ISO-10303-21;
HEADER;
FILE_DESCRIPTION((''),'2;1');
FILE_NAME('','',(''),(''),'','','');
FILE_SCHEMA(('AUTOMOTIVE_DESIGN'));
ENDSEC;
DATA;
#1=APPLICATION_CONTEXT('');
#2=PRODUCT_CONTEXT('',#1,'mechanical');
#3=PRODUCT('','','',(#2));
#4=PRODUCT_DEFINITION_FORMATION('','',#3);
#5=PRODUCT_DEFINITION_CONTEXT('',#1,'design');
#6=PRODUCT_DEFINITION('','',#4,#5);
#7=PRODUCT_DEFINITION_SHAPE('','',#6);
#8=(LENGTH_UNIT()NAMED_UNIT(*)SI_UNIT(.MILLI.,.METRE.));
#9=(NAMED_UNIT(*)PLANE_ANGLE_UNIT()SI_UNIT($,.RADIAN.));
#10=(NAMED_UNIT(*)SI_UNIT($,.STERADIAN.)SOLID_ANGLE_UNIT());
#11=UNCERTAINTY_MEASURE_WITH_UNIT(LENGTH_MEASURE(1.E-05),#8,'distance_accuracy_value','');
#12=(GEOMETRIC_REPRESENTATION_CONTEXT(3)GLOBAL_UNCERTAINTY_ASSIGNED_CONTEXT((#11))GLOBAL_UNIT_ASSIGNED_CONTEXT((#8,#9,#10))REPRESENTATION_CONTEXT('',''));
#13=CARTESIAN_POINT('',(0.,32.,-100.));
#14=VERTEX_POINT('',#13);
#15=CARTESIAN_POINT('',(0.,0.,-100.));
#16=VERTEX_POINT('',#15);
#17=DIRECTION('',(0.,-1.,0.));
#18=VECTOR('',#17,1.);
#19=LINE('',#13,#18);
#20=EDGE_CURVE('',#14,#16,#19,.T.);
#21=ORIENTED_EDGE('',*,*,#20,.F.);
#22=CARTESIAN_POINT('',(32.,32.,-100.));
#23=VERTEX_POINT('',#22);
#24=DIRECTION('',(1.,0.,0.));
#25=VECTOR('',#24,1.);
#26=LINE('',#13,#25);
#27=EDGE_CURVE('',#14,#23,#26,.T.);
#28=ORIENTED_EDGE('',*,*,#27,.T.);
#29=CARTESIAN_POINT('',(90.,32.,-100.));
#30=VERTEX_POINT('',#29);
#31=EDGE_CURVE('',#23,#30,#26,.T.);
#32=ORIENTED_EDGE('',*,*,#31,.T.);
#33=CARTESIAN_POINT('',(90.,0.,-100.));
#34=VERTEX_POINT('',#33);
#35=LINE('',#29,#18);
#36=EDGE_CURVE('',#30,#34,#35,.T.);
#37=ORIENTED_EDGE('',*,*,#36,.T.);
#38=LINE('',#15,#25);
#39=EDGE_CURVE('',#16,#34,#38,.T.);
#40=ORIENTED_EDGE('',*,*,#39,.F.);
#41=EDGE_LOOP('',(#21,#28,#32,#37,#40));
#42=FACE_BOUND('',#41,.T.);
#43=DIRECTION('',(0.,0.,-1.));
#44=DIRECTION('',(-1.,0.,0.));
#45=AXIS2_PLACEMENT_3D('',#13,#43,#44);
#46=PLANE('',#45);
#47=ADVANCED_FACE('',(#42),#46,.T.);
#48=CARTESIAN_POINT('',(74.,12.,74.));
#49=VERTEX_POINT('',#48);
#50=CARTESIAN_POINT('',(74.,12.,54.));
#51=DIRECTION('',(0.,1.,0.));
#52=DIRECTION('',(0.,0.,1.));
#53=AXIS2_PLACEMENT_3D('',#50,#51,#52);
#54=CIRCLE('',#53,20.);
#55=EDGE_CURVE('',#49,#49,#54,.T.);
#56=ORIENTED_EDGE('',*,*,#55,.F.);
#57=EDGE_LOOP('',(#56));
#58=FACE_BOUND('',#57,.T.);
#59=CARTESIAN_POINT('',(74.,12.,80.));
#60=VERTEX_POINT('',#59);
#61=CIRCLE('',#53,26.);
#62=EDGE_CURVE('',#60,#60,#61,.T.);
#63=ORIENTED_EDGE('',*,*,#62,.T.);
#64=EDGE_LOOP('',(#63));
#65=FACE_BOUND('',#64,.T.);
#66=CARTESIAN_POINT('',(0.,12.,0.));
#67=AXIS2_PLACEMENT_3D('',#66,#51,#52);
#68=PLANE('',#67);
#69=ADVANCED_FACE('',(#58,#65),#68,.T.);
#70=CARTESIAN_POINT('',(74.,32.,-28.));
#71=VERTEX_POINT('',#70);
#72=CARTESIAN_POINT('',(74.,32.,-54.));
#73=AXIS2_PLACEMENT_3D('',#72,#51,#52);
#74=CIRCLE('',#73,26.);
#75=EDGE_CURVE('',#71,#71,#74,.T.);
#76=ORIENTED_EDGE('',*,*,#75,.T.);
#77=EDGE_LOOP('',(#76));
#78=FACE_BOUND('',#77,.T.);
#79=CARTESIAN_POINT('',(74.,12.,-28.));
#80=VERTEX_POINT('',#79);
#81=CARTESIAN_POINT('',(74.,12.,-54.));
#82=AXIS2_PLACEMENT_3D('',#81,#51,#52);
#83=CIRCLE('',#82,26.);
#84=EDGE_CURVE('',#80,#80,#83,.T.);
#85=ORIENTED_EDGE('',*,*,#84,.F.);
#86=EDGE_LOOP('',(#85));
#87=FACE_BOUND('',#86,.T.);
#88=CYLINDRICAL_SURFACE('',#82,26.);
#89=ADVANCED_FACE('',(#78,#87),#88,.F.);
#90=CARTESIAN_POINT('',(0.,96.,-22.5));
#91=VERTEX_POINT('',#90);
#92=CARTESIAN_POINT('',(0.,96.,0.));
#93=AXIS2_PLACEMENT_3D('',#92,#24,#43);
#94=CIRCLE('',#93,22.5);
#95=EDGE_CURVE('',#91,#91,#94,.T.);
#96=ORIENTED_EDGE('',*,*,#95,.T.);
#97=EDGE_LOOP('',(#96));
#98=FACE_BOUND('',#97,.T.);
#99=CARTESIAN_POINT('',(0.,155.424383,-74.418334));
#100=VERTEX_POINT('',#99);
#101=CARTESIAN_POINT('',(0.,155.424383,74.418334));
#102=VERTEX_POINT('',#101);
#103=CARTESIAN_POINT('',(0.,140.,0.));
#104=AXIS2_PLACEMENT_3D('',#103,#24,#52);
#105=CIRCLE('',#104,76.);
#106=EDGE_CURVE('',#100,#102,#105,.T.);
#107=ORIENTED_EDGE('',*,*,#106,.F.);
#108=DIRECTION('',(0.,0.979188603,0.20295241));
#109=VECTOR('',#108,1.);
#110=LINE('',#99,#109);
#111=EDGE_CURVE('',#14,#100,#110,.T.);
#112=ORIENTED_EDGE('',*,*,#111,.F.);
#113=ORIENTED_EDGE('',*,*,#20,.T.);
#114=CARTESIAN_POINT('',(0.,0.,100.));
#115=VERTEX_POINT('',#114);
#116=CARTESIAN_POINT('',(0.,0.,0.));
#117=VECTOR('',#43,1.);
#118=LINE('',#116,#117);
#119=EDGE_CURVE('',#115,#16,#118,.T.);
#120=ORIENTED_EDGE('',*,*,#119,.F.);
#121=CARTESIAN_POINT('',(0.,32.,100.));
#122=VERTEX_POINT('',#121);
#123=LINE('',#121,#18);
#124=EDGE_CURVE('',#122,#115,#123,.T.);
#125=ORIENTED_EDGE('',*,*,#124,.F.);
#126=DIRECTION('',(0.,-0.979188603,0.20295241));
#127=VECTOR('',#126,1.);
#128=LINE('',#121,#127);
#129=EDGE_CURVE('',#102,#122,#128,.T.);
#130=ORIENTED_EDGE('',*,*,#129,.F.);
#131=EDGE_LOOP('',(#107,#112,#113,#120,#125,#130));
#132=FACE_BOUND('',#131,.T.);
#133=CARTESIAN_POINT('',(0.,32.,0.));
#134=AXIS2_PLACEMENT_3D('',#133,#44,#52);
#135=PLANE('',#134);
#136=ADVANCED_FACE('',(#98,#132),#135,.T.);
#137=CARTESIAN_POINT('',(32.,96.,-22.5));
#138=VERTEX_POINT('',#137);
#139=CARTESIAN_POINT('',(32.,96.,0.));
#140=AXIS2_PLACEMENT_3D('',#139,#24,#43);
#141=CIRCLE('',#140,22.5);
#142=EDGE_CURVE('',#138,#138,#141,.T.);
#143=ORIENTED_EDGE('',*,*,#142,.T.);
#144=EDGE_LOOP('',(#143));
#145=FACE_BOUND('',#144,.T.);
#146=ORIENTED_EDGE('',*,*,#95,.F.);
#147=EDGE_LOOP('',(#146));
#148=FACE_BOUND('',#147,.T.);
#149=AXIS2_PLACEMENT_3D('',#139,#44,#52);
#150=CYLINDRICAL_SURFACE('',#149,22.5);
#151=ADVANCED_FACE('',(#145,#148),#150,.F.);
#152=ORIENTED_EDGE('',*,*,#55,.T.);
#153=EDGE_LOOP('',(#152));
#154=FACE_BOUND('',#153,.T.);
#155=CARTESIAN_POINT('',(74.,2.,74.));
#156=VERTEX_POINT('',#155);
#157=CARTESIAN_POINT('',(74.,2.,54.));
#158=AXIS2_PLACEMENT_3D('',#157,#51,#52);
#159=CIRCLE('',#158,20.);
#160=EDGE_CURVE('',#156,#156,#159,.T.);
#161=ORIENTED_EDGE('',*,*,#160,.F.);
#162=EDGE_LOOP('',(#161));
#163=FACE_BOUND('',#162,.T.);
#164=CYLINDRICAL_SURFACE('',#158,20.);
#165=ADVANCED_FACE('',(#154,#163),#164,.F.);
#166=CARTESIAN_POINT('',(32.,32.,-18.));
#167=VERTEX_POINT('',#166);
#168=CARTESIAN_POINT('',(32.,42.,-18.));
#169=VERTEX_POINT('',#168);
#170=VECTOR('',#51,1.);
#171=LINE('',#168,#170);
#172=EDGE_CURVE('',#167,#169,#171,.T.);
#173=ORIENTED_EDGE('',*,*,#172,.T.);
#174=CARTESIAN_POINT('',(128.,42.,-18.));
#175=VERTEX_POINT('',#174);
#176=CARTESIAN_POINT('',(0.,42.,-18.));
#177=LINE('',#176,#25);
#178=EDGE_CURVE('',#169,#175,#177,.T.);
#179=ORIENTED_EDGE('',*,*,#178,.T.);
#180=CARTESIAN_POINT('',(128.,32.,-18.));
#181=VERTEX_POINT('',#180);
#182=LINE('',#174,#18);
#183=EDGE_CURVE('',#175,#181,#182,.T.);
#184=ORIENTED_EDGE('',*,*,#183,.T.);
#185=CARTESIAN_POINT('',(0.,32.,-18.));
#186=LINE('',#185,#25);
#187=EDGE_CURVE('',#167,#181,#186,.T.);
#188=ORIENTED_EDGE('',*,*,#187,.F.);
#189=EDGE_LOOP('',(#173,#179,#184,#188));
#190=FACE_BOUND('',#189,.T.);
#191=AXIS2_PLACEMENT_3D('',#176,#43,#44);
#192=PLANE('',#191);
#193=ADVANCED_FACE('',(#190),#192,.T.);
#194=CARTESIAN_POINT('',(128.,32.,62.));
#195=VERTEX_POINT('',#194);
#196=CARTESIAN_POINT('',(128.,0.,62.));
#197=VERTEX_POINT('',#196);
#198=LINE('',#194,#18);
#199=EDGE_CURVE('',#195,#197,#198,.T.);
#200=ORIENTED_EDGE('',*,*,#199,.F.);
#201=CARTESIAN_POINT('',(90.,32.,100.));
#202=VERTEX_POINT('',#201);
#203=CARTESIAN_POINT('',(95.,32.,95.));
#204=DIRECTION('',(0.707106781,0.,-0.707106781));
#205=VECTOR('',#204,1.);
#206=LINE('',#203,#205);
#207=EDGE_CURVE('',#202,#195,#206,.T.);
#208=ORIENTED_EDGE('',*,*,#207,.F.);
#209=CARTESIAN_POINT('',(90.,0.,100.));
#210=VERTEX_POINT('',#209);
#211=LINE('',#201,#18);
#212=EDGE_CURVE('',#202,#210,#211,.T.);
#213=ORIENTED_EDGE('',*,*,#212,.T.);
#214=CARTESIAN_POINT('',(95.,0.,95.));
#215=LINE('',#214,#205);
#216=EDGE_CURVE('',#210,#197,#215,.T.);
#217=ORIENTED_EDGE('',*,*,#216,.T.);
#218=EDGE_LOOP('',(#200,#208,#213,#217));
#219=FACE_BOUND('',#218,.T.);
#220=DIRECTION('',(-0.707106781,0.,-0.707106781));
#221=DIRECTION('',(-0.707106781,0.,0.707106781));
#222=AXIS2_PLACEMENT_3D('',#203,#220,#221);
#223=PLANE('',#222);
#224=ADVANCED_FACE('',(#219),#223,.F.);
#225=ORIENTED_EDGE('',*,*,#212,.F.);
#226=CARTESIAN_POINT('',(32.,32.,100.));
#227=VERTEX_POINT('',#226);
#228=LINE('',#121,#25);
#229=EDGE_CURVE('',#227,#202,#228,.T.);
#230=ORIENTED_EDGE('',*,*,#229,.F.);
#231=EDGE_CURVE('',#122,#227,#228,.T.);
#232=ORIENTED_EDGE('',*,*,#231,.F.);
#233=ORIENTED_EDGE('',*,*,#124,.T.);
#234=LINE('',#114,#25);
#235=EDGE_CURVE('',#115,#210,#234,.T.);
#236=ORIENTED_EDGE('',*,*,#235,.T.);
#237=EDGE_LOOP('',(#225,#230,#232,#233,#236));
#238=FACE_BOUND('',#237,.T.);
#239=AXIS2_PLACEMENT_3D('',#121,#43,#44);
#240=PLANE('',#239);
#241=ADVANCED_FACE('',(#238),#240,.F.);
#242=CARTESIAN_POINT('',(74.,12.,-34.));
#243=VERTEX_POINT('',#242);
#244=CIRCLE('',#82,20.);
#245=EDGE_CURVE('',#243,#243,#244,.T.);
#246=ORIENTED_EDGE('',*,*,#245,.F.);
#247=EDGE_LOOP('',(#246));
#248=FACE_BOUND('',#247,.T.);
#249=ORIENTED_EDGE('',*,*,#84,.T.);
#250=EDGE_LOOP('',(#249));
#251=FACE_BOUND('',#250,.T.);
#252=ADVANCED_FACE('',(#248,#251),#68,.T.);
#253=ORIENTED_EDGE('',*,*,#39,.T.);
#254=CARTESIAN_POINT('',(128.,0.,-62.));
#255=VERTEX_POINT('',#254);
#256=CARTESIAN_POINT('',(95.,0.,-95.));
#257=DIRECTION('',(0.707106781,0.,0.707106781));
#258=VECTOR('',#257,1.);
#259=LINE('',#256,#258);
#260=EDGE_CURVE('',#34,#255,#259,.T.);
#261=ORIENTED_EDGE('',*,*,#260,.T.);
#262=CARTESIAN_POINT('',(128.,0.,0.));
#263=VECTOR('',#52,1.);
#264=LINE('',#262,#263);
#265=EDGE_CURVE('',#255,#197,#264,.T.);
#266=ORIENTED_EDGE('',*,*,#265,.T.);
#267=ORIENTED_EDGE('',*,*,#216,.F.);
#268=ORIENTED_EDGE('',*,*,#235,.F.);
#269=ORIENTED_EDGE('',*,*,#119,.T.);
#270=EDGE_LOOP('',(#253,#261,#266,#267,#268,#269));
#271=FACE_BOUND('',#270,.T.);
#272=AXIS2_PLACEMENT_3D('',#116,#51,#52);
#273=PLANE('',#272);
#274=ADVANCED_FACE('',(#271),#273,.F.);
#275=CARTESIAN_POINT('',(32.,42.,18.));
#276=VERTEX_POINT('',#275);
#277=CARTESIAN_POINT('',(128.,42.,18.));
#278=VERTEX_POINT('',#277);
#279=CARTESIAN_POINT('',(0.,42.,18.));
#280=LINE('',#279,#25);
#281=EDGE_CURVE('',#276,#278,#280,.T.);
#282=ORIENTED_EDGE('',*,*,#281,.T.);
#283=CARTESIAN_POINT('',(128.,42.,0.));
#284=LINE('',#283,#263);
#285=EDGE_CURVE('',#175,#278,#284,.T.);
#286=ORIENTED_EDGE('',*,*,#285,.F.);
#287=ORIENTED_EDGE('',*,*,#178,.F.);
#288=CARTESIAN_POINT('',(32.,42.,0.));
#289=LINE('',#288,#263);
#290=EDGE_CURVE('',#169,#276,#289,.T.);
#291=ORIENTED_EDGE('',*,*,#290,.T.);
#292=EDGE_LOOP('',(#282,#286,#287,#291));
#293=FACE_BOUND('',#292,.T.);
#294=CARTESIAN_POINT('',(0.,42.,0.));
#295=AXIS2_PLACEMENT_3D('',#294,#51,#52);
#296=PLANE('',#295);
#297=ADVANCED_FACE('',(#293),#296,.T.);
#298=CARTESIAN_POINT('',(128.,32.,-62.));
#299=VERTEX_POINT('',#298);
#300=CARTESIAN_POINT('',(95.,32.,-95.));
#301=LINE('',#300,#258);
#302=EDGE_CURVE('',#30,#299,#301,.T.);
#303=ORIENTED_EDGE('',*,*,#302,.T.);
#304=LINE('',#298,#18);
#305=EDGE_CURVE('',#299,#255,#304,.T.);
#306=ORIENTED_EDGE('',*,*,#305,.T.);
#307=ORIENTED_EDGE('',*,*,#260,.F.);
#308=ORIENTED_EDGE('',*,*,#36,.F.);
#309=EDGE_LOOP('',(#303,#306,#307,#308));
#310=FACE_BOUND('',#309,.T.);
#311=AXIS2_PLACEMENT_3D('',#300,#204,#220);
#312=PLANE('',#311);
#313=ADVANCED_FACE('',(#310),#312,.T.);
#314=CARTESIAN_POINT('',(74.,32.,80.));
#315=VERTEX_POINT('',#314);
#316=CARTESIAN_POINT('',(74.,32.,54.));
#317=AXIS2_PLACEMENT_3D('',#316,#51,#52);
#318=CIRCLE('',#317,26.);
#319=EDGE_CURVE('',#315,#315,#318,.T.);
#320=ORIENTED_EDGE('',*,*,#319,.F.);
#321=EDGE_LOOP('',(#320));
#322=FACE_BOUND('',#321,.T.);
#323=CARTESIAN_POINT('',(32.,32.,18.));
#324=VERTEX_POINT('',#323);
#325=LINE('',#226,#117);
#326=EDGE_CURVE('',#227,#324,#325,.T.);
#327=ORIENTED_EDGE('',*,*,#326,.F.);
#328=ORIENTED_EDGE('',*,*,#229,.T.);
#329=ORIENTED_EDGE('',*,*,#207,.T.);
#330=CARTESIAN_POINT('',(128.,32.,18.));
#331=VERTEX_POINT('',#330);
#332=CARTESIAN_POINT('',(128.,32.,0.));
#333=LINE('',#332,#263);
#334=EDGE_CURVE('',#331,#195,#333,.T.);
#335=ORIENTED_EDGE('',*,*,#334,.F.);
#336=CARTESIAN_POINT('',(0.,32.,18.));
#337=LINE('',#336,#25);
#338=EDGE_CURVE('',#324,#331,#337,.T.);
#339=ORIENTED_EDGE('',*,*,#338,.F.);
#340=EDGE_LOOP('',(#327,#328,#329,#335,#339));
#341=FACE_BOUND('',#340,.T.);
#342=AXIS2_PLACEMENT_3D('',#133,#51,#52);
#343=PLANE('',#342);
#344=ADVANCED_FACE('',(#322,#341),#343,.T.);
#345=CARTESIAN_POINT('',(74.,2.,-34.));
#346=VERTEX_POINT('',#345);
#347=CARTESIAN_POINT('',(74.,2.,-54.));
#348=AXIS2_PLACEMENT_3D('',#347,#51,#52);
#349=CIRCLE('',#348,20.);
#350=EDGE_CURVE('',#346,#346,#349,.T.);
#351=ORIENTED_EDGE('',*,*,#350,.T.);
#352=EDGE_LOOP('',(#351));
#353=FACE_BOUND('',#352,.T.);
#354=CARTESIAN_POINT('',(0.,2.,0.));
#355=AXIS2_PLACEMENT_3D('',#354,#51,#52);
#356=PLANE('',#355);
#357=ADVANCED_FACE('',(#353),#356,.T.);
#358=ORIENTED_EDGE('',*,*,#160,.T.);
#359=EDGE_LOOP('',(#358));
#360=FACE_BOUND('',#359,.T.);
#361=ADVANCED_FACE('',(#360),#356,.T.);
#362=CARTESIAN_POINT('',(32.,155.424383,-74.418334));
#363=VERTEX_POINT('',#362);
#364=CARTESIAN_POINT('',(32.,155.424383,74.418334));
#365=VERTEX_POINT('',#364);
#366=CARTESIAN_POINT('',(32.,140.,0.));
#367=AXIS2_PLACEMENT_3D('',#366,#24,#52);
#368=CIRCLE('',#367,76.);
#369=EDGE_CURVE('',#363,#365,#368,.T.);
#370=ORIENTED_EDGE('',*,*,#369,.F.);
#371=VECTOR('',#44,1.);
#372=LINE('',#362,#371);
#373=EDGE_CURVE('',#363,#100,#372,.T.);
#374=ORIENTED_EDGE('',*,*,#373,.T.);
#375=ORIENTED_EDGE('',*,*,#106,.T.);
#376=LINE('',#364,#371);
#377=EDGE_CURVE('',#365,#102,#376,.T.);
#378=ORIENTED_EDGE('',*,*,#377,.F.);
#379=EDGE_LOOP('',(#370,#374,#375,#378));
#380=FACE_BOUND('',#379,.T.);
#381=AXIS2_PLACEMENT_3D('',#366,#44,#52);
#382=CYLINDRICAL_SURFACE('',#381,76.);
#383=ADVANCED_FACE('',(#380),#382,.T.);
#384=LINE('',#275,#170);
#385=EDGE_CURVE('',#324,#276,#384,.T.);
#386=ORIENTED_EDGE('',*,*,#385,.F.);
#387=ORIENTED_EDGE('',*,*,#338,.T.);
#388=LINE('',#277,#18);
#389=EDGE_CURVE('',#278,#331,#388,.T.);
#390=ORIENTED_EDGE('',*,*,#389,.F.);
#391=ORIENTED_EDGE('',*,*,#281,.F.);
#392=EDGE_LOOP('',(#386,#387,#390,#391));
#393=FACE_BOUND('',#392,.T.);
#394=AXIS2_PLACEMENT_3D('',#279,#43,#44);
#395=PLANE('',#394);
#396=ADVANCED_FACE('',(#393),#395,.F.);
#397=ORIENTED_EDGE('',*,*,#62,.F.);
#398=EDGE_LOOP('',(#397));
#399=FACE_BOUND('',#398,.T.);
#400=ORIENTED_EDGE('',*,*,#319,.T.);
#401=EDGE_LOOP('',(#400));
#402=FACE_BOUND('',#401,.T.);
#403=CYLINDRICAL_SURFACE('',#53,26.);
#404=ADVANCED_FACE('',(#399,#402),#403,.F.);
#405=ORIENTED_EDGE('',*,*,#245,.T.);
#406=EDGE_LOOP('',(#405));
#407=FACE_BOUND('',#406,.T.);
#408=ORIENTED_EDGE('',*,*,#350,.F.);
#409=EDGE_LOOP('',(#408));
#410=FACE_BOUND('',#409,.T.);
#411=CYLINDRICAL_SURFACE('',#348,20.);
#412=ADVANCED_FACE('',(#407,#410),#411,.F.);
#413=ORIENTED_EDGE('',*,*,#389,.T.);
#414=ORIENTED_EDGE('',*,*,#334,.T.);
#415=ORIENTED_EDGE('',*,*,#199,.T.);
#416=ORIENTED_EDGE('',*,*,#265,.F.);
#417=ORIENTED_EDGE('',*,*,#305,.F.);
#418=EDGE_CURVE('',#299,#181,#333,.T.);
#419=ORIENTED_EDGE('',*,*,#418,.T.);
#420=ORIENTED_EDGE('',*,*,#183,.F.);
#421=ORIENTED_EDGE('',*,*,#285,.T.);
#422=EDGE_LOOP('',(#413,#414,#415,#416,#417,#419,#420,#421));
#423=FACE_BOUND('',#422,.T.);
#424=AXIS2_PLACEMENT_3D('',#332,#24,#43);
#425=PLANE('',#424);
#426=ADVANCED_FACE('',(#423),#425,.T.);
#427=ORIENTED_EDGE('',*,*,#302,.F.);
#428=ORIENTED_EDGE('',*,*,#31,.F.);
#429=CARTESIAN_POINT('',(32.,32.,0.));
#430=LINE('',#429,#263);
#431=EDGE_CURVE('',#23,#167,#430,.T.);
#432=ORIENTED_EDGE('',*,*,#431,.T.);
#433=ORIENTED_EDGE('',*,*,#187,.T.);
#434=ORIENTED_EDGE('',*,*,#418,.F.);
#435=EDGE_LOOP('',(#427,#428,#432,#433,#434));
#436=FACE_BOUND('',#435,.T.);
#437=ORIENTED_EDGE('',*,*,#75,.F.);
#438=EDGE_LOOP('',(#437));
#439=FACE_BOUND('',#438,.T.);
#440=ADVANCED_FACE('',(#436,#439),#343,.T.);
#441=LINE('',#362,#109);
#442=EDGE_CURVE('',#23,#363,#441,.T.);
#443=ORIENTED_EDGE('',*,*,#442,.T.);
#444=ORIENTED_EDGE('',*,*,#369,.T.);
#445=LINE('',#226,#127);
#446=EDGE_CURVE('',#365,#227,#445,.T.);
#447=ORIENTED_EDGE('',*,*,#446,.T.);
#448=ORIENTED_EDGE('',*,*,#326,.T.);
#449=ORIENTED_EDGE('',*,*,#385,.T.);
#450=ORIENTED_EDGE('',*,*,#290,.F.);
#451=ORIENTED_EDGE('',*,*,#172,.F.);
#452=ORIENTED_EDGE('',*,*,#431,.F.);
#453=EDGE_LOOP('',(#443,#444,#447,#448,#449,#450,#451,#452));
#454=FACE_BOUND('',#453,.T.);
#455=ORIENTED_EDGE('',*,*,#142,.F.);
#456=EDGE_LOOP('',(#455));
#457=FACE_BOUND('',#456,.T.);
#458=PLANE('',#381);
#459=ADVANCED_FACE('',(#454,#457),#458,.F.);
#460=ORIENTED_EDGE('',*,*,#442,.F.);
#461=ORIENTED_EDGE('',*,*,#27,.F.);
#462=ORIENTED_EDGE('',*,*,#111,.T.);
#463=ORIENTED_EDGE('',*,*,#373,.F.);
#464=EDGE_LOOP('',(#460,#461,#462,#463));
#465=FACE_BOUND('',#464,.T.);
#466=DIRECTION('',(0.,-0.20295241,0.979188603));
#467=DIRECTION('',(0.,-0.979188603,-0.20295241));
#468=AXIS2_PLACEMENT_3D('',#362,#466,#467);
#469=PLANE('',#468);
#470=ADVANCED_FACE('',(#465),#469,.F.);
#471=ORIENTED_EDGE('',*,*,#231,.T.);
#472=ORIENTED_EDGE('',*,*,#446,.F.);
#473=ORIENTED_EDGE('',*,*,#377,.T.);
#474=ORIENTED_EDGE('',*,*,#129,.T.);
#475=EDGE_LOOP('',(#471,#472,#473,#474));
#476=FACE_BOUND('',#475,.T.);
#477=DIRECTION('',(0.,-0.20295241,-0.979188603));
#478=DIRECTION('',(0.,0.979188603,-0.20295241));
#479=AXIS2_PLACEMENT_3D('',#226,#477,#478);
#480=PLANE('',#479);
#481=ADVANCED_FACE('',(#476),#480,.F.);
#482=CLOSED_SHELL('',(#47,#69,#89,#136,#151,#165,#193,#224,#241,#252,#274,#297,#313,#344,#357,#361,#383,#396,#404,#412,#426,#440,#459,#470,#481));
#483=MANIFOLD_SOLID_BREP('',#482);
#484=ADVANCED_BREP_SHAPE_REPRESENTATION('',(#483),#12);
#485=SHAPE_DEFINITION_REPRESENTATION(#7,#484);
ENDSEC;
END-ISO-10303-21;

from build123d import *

# Parameters (mm, degrees)
BOSS_EXTRUDE1_DEPTH   = 32
BOSS_EXTRUDE1_2_DEPTH = 32
SKETCH1_3_W           = 128
SKETCH1_3_H           = 36
BOSS_EXTRUDE2_DEPTH   = 42
SKETCH2_R             = 22.5
BOSS_EXTRUDE3_DEPTH   = 32
SKETCH4_R             = 26
CUT_EXTRUDE1_DEPTH    = 20
SKETCH4_3_R           = 20
CUT_EXTRUDE2_DEPTH    = 30


with BuildPart() as part:
    # Sketch1 → Boss-Extrude1 (new body)
    with BuildSketch(Plane(origin=(0, 0, 0), x_dir=(1, 0, 0), z_dir=(0, 1, 0))):
        Polygon((0, -18), (0, -100), (90, -100), (128, -62), (128, -18), align=None)
    extrude(amount=BOSS_EXTRUDE1_DEPTH)



with BuildPart() as body_2:
    # Sketch1 → Boss-Extrude1 2 (new body)
    with BuildSketch(Plane(origin=(0, 0, 0), x_dir=(1, 0, 0), z_dir=(0, 1, 0))):
        Polygon((0, 100), (0, 18), (128, 18), (128, 62), (90, 100), align=None)
    extrude(amount=BOSS_EXTRUDE1_2_DEPTH)


with BuildPart() as part_1:
    add(part.part)

    add(body_2.part)  # Boss-Extrude2 merges body 2
    # Sketch1<3> → Boss-Extrude2 (add)
    with BuildSketch(Plane(origin=(0, 0, 0), x_dir=(1, 0, 0), z_dir=(0, 1, 0))):
        with Locations((64, 0)):
            Rectangle(SKETCH1_3_W, SKETCH1_3_H)
    extrude(amount=BOSS_EXTRUDE2_DEPTH)

    # Sketch2 → Boss-Extrude3 (add)
    with BuildSketch(Plane(origin=(0, 0, 0), x_dir=(0, 0, -1), z_dir=(1, 0, 0))):
        with BuildLine():
            Line((-100, 32), (-74.418333794, 155.424383143))
            ThreePointArc((-74.418333794, 155.424383143), (0, 216), (74.418333794, 155.424383143))
            Line((74.418333794, 155.424383143), (100, 32))
            Line((100, 32), (-100, 32))
        make_face()
        with Locations((0, 96)):
            Circle(SKETCH2_R, mode=Mode.SUBTRACT)
    extrude(amount=BOSS_EXTRUDE3_DEPTH)

    # Sketch4 → Cut-Extrude1 (cut)
    with BuildSketch(Plane(origin=(0, 32, 0), x_dir=(1, 0, 0), z_dir=(0, 1, 0))):
        with Locations((74, -54)):
            Circle(SKETCH4_R)
        with Locations((74, 54)):
            Circle(SKETCH4_R)
    extrude(amount=-CUT_EXTRUDE1_DEPTH, mode=Mode.SUBTRACT)

    # Sketch4<3> → Cut-Extrude2 (cut)
    with BuildSketch(Plane(origin=(0, 32, 0), x_dir=(1, 0, 0), z_dir=(0, 1, 0))):
        with Locations((74, -54)):
            Circle(SKETCH4_3_R)
        with Locations((74, 54)):
            Circle(SKETCH4_3_R)
    extrude(amount=-CUT_EXTRUDE2_DEPTH, mode=Mode.SUBTRACT)


solid = part_1.part
